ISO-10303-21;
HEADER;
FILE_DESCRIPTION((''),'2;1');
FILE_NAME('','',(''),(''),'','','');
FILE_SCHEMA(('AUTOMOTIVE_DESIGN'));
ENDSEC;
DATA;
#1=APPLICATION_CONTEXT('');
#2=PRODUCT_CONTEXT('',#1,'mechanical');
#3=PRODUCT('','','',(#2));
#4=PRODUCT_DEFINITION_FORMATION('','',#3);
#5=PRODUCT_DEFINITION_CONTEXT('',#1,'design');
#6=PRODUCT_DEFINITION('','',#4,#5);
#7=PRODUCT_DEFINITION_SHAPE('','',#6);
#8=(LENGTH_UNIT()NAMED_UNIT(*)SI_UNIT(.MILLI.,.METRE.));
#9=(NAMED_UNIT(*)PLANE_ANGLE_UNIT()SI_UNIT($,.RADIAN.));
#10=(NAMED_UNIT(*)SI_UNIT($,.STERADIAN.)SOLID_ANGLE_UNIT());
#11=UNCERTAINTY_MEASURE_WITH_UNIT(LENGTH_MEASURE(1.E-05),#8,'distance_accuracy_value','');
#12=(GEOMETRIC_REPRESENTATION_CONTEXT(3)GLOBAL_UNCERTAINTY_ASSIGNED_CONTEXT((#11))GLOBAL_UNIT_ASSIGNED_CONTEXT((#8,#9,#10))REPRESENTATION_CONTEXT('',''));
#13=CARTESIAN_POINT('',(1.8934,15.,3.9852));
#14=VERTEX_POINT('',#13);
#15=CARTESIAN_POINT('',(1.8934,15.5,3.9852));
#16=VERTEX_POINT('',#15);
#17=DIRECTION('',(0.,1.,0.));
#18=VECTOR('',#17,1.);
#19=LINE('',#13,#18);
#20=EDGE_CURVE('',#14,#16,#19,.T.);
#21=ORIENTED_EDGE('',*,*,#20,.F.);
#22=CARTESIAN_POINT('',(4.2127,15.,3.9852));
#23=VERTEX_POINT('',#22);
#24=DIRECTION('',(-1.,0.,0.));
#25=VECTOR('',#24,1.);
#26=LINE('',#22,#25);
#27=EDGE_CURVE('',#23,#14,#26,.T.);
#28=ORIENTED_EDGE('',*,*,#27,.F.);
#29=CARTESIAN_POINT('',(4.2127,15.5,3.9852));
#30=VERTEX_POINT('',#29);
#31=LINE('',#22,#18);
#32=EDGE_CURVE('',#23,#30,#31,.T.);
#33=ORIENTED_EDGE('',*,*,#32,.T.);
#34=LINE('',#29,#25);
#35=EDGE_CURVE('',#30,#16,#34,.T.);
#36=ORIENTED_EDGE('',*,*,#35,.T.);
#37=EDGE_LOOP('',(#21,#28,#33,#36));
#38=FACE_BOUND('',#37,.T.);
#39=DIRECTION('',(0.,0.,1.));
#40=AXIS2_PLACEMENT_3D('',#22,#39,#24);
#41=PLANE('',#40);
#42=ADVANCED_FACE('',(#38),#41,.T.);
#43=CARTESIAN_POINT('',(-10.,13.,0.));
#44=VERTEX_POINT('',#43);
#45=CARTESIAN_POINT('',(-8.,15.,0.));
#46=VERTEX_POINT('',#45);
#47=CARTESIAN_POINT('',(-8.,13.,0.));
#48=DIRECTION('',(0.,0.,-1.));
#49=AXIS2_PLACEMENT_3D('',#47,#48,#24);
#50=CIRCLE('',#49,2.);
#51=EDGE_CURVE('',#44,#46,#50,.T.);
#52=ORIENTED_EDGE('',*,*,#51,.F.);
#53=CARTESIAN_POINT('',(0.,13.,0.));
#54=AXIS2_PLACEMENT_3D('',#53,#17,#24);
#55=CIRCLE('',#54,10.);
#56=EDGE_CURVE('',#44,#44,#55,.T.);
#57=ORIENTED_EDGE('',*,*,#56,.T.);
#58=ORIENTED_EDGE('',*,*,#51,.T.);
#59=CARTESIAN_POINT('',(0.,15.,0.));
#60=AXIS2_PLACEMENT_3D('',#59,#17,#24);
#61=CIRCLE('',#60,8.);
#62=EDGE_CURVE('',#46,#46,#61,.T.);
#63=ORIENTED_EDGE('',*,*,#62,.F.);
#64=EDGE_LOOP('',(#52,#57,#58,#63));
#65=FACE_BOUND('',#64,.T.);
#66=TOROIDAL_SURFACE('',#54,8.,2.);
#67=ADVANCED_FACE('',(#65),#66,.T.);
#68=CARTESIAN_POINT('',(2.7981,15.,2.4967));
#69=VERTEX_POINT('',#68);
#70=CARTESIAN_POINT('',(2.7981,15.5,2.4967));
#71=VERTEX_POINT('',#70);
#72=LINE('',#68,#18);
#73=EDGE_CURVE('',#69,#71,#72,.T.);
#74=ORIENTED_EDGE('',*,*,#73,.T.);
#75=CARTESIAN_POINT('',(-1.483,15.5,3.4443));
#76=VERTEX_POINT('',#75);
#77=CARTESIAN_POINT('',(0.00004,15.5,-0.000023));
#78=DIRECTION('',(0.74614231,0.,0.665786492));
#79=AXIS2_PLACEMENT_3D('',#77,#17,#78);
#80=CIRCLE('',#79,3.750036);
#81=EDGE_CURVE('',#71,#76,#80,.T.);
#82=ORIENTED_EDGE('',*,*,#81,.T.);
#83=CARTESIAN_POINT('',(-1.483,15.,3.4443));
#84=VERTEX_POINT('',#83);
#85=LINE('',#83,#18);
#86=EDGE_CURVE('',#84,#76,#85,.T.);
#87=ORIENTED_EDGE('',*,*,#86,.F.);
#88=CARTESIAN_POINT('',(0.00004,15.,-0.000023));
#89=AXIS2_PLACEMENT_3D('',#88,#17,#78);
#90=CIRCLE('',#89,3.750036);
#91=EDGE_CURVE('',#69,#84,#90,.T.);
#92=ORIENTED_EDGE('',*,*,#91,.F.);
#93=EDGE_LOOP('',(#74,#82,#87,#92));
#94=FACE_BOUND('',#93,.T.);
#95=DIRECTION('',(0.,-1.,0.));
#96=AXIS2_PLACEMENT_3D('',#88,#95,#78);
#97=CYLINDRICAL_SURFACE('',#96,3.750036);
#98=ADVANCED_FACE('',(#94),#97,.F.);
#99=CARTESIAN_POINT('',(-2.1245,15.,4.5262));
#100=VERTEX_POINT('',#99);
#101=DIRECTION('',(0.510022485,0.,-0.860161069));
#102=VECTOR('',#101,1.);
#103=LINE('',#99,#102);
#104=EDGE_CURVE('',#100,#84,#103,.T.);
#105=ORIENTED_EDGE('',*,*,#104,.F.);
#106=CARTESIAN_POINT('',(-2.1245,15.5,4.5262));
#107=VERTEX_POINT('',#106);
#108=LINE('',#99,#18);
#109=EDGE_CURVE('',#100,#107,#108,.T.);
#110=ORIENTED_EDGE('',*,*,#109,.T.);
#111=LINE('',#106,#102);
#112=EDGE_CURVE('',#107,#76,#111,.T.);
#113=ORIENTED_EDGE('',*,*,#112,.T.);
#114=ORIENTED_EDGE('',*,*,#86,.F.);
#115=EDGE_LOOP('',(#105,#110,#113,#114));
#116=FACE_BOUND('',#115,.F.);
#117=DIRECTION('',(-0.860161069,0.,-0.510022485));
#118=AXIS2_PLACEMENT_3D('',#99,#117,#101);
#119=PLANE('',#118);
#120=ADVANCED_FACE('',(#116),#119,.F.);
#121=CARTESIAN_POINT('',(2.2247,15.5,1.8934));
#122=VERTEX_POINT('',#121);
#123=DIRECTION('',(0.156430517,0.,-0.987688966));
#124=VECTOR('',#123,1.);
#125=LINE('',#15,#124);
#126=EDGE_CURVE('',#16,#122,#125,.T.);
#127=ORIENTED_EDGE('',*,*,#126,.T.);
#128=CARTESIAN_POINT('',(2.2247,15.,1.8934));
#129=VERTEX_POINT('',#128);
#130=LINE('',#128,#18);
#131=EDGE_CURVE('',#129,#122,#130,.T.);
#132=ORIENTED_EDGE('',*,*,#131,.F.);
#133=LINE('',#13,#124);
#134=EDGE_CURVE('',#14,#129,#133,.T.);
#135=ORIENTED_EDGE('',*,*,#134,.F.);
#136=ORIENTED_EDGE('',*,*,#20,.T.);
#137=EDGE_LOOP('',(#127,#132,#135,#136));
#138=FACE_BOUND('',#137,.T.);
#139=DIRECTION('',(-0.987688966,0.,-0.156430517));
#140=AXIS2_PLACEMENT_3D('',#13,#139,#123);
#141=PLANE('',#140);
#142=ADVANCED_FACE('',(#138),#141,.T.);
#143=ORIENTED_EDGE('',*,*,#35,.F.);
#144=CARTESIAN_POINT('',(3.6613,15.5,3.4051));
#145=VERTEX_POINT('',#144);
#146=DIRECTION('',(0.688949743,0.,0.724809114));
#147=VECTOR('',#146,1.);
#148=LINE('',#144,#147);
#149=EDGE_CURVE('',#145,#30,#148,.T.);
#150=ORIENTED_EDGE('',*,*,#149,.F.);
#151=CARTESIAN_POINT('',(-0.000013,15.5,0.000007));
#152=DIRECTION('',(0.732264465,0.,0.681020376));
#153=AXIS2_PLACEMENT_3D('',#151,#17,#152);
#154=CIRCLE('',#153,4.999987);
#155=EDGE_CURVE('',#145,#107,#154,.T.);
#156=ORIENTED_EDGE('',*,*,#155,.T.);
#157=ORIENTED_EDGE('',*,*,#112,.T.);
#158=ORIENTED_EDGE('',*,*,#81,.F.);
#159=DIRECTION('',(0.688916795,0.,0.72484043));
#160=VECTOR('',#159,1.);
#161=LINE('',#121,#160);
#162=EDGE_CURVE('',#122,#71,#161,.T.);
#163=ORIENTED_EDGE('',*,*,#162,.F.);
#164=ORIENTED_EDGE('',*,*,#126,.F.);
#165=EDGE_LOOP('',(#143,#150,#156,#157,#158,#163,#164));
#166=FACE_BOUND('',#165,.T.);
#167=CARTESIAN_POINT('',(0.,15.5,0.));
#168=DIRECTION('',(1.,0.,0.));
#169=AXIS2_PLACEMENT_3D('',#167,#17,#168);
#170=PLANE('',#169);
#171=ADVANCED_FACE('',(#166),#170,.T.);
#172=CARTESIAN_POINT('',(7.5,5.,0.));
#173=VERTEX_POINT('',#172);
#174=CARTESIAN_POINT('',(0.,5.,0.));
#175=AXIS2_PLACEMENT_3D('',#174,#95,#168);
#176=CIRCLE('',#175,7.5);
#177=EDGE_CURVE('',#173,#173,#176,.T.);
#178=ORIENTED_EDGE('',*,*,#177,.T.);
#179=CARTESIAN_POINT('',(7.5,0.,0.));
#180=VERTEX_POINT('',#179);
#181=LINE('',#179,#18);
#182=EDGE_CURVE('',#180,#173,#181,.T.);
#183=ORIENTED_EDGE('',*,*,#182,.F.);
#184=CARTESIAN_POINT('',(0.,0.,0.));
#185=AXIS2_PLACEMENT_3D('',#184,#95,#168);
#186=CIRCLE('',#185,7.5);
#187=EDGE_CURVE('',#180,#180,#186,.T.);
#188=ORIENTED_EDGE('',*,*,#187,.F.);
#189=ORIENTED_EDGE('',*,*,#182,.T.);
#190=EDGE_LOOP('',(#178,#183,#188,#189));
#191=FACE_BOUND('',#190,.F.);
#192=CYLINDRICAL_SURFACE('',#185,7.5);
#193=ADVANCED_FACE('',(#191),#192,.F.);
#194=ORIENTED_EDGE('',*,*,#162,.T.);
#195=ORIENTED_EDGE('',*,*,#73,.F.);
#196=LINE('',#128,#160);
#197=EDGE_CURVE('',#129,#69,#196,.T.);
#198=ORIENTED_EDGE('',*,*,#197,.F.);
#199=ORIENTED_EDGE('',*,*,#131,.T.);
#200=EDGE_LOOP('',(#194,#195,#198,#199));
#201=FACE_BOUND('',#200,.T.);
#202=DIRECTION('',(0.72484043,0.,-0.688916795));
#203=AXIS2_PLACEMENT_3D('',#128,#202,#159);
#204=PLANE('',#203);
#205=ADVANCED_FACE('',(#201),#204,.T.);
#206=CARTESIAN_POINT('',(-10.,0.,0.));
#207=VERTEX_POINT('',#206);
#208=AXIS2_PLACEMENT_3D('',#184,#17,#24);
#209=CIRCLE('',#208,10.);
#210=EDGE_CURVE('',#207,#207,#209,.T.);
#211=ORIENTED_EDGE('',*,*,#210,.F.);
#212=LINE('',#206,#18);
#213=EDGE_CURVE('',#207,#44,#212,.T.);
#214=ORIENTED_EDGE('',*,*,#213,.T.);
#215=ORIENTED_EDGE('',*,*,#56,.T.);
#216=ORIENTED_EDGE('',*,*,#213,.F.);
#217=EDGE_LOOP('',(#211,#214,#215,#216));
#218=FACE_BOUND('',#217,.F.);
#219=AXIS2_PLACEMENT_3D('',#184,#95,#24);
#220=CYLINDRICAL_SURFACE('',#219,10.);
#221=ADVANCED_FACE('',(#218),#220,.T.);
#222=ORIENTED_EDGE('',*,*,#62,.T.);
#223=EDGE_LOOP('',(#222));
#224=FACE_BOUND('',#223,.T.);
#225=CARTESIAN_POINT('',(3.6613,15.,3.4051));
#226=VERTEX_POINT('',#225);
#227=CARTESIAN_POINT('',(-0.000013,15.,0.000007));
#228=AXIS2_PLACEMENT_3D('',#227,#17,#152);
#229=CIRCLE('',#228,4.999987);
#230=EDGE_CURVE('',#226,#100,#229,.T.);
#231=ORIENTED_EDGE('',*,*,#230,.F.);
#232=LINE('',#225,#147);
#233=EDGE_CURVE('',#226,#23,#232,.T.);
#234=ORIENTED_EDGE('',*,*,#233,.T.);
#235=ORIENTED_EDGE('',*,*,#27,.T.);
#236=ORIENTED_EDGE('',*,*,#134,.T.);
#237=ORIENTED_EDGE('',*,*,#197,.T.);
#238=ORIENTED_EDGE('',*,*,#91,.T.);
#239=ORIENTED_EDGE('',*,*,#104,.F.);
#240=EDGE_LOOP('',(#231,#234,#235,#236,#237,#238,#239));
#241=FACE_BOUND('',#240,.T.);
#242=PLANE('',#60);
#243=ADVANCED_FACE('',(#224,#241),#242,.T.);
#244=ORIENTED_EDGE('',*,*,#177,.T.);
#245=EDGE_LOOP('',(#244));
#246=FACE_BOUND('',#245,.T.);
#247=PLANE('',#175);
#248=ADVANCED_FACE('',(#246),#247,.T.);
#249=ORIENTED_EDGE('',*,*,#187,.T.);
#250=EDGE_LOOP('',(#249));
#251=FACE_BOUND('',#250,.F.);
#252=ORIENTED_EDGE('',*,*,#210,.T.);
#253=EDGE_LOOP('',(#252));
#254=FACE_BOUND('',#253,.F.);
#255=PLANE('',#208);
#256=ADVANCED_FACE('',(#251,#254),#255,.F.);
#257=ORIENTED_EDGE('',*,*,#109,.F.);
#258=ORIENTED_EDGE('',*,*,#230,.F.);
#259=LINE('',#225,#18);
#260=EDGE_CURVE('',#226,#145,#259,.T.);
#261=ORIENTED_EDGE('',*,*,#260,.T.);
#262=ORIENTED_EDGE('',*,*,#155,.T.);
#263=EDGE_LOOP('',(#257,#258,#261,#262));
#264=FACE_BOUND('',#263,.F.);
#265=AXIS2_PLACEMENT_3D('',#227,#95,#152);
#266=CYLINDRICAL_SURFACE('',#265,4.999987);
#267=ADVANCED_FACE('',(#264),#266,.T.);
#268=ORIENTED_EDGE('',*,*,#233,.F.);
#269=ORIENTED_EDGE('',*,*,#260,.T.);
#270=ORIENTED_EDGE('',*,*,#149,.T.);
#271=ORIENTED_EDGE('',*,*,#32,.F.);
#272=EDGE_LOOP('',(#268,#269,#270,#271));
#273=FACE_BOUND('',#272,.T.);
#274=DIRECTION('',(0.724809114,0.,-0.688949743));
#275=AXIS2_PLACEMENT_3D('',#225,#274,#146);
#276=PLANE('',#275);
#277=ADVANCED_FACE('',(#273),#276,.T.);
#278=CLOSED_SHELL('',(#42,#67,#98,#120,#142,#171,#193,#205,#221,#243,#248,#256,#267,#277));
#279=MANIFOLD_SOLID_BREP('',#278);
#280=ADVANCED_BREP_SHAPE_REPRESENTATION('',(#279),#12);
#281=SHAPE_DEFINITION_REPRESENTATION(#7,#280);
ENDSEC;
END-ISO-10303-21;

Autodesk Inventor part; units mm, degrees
ref_plane "YZ Plane" through (0, 0, 0) normal (1, 0, 0) x (0, 1, 0)
ref_plane "XZ Plane" through (0, 0, 0) normal (0, 1, 0) x (-1, 0, 0)
ref_plane "XY Plane" through (0, 0, 0) normal (0, 0, 1) x (1, 0, 0)
sketch "Sketch1" plane through (0, 0, 0) normal (0, 1, 0) x (-1, 0, 0)
  circle A0 centre (0, 0) radius 10
  dimension "d0" = 20
extrude "Extrusion1" add sketch "Sketch1" along normal blind 15
sketch "Sketch2" plane through (0, 0, 0) normal (0, -1, 0) x (1, 0, 0)
  circle A0 centre (0, 0) radius 7.5
  dimension "d3" = 15
extrude "Extrusion2" cut sketch "Sketch2" against normal blind 5
fillet "Fillet1" radius 2 1 edges at (10, 15, 0)
sketch "Sketch4" plane through (0, 15, 0) normal (0, 1, 0) x (1, 0, 0)
  arc A0 (2.7981, -2.4967) -> (-1.483, -3.4443) centre (0, 0) ccw
  arc A1 (3.6613, -3.4051) -> (-2.1245, -4.5262) centre (0, 0) ccw
  line L0 (-2.1245, -4.5262) -> (-1.483, -3.4443)
  line L1 (1.8934, -3.9852) -> (2.2247, -1.8934)
  line L2 (4.2127, -3.9852) -> (1.8934, -3.9852)
  line L3 (2.2247, -1.8934) -> (2.7981, -2.4967)
  line L4 (3.6613, -3.4051) -> (4.2127, -3.9852)
  dimension "d12" = 7.5
  dimension "d13" = 10
extrude "Extrusion4" add sketch "Sketch4" along normal blind 0.5
properties part number "Device Rotation Button"
